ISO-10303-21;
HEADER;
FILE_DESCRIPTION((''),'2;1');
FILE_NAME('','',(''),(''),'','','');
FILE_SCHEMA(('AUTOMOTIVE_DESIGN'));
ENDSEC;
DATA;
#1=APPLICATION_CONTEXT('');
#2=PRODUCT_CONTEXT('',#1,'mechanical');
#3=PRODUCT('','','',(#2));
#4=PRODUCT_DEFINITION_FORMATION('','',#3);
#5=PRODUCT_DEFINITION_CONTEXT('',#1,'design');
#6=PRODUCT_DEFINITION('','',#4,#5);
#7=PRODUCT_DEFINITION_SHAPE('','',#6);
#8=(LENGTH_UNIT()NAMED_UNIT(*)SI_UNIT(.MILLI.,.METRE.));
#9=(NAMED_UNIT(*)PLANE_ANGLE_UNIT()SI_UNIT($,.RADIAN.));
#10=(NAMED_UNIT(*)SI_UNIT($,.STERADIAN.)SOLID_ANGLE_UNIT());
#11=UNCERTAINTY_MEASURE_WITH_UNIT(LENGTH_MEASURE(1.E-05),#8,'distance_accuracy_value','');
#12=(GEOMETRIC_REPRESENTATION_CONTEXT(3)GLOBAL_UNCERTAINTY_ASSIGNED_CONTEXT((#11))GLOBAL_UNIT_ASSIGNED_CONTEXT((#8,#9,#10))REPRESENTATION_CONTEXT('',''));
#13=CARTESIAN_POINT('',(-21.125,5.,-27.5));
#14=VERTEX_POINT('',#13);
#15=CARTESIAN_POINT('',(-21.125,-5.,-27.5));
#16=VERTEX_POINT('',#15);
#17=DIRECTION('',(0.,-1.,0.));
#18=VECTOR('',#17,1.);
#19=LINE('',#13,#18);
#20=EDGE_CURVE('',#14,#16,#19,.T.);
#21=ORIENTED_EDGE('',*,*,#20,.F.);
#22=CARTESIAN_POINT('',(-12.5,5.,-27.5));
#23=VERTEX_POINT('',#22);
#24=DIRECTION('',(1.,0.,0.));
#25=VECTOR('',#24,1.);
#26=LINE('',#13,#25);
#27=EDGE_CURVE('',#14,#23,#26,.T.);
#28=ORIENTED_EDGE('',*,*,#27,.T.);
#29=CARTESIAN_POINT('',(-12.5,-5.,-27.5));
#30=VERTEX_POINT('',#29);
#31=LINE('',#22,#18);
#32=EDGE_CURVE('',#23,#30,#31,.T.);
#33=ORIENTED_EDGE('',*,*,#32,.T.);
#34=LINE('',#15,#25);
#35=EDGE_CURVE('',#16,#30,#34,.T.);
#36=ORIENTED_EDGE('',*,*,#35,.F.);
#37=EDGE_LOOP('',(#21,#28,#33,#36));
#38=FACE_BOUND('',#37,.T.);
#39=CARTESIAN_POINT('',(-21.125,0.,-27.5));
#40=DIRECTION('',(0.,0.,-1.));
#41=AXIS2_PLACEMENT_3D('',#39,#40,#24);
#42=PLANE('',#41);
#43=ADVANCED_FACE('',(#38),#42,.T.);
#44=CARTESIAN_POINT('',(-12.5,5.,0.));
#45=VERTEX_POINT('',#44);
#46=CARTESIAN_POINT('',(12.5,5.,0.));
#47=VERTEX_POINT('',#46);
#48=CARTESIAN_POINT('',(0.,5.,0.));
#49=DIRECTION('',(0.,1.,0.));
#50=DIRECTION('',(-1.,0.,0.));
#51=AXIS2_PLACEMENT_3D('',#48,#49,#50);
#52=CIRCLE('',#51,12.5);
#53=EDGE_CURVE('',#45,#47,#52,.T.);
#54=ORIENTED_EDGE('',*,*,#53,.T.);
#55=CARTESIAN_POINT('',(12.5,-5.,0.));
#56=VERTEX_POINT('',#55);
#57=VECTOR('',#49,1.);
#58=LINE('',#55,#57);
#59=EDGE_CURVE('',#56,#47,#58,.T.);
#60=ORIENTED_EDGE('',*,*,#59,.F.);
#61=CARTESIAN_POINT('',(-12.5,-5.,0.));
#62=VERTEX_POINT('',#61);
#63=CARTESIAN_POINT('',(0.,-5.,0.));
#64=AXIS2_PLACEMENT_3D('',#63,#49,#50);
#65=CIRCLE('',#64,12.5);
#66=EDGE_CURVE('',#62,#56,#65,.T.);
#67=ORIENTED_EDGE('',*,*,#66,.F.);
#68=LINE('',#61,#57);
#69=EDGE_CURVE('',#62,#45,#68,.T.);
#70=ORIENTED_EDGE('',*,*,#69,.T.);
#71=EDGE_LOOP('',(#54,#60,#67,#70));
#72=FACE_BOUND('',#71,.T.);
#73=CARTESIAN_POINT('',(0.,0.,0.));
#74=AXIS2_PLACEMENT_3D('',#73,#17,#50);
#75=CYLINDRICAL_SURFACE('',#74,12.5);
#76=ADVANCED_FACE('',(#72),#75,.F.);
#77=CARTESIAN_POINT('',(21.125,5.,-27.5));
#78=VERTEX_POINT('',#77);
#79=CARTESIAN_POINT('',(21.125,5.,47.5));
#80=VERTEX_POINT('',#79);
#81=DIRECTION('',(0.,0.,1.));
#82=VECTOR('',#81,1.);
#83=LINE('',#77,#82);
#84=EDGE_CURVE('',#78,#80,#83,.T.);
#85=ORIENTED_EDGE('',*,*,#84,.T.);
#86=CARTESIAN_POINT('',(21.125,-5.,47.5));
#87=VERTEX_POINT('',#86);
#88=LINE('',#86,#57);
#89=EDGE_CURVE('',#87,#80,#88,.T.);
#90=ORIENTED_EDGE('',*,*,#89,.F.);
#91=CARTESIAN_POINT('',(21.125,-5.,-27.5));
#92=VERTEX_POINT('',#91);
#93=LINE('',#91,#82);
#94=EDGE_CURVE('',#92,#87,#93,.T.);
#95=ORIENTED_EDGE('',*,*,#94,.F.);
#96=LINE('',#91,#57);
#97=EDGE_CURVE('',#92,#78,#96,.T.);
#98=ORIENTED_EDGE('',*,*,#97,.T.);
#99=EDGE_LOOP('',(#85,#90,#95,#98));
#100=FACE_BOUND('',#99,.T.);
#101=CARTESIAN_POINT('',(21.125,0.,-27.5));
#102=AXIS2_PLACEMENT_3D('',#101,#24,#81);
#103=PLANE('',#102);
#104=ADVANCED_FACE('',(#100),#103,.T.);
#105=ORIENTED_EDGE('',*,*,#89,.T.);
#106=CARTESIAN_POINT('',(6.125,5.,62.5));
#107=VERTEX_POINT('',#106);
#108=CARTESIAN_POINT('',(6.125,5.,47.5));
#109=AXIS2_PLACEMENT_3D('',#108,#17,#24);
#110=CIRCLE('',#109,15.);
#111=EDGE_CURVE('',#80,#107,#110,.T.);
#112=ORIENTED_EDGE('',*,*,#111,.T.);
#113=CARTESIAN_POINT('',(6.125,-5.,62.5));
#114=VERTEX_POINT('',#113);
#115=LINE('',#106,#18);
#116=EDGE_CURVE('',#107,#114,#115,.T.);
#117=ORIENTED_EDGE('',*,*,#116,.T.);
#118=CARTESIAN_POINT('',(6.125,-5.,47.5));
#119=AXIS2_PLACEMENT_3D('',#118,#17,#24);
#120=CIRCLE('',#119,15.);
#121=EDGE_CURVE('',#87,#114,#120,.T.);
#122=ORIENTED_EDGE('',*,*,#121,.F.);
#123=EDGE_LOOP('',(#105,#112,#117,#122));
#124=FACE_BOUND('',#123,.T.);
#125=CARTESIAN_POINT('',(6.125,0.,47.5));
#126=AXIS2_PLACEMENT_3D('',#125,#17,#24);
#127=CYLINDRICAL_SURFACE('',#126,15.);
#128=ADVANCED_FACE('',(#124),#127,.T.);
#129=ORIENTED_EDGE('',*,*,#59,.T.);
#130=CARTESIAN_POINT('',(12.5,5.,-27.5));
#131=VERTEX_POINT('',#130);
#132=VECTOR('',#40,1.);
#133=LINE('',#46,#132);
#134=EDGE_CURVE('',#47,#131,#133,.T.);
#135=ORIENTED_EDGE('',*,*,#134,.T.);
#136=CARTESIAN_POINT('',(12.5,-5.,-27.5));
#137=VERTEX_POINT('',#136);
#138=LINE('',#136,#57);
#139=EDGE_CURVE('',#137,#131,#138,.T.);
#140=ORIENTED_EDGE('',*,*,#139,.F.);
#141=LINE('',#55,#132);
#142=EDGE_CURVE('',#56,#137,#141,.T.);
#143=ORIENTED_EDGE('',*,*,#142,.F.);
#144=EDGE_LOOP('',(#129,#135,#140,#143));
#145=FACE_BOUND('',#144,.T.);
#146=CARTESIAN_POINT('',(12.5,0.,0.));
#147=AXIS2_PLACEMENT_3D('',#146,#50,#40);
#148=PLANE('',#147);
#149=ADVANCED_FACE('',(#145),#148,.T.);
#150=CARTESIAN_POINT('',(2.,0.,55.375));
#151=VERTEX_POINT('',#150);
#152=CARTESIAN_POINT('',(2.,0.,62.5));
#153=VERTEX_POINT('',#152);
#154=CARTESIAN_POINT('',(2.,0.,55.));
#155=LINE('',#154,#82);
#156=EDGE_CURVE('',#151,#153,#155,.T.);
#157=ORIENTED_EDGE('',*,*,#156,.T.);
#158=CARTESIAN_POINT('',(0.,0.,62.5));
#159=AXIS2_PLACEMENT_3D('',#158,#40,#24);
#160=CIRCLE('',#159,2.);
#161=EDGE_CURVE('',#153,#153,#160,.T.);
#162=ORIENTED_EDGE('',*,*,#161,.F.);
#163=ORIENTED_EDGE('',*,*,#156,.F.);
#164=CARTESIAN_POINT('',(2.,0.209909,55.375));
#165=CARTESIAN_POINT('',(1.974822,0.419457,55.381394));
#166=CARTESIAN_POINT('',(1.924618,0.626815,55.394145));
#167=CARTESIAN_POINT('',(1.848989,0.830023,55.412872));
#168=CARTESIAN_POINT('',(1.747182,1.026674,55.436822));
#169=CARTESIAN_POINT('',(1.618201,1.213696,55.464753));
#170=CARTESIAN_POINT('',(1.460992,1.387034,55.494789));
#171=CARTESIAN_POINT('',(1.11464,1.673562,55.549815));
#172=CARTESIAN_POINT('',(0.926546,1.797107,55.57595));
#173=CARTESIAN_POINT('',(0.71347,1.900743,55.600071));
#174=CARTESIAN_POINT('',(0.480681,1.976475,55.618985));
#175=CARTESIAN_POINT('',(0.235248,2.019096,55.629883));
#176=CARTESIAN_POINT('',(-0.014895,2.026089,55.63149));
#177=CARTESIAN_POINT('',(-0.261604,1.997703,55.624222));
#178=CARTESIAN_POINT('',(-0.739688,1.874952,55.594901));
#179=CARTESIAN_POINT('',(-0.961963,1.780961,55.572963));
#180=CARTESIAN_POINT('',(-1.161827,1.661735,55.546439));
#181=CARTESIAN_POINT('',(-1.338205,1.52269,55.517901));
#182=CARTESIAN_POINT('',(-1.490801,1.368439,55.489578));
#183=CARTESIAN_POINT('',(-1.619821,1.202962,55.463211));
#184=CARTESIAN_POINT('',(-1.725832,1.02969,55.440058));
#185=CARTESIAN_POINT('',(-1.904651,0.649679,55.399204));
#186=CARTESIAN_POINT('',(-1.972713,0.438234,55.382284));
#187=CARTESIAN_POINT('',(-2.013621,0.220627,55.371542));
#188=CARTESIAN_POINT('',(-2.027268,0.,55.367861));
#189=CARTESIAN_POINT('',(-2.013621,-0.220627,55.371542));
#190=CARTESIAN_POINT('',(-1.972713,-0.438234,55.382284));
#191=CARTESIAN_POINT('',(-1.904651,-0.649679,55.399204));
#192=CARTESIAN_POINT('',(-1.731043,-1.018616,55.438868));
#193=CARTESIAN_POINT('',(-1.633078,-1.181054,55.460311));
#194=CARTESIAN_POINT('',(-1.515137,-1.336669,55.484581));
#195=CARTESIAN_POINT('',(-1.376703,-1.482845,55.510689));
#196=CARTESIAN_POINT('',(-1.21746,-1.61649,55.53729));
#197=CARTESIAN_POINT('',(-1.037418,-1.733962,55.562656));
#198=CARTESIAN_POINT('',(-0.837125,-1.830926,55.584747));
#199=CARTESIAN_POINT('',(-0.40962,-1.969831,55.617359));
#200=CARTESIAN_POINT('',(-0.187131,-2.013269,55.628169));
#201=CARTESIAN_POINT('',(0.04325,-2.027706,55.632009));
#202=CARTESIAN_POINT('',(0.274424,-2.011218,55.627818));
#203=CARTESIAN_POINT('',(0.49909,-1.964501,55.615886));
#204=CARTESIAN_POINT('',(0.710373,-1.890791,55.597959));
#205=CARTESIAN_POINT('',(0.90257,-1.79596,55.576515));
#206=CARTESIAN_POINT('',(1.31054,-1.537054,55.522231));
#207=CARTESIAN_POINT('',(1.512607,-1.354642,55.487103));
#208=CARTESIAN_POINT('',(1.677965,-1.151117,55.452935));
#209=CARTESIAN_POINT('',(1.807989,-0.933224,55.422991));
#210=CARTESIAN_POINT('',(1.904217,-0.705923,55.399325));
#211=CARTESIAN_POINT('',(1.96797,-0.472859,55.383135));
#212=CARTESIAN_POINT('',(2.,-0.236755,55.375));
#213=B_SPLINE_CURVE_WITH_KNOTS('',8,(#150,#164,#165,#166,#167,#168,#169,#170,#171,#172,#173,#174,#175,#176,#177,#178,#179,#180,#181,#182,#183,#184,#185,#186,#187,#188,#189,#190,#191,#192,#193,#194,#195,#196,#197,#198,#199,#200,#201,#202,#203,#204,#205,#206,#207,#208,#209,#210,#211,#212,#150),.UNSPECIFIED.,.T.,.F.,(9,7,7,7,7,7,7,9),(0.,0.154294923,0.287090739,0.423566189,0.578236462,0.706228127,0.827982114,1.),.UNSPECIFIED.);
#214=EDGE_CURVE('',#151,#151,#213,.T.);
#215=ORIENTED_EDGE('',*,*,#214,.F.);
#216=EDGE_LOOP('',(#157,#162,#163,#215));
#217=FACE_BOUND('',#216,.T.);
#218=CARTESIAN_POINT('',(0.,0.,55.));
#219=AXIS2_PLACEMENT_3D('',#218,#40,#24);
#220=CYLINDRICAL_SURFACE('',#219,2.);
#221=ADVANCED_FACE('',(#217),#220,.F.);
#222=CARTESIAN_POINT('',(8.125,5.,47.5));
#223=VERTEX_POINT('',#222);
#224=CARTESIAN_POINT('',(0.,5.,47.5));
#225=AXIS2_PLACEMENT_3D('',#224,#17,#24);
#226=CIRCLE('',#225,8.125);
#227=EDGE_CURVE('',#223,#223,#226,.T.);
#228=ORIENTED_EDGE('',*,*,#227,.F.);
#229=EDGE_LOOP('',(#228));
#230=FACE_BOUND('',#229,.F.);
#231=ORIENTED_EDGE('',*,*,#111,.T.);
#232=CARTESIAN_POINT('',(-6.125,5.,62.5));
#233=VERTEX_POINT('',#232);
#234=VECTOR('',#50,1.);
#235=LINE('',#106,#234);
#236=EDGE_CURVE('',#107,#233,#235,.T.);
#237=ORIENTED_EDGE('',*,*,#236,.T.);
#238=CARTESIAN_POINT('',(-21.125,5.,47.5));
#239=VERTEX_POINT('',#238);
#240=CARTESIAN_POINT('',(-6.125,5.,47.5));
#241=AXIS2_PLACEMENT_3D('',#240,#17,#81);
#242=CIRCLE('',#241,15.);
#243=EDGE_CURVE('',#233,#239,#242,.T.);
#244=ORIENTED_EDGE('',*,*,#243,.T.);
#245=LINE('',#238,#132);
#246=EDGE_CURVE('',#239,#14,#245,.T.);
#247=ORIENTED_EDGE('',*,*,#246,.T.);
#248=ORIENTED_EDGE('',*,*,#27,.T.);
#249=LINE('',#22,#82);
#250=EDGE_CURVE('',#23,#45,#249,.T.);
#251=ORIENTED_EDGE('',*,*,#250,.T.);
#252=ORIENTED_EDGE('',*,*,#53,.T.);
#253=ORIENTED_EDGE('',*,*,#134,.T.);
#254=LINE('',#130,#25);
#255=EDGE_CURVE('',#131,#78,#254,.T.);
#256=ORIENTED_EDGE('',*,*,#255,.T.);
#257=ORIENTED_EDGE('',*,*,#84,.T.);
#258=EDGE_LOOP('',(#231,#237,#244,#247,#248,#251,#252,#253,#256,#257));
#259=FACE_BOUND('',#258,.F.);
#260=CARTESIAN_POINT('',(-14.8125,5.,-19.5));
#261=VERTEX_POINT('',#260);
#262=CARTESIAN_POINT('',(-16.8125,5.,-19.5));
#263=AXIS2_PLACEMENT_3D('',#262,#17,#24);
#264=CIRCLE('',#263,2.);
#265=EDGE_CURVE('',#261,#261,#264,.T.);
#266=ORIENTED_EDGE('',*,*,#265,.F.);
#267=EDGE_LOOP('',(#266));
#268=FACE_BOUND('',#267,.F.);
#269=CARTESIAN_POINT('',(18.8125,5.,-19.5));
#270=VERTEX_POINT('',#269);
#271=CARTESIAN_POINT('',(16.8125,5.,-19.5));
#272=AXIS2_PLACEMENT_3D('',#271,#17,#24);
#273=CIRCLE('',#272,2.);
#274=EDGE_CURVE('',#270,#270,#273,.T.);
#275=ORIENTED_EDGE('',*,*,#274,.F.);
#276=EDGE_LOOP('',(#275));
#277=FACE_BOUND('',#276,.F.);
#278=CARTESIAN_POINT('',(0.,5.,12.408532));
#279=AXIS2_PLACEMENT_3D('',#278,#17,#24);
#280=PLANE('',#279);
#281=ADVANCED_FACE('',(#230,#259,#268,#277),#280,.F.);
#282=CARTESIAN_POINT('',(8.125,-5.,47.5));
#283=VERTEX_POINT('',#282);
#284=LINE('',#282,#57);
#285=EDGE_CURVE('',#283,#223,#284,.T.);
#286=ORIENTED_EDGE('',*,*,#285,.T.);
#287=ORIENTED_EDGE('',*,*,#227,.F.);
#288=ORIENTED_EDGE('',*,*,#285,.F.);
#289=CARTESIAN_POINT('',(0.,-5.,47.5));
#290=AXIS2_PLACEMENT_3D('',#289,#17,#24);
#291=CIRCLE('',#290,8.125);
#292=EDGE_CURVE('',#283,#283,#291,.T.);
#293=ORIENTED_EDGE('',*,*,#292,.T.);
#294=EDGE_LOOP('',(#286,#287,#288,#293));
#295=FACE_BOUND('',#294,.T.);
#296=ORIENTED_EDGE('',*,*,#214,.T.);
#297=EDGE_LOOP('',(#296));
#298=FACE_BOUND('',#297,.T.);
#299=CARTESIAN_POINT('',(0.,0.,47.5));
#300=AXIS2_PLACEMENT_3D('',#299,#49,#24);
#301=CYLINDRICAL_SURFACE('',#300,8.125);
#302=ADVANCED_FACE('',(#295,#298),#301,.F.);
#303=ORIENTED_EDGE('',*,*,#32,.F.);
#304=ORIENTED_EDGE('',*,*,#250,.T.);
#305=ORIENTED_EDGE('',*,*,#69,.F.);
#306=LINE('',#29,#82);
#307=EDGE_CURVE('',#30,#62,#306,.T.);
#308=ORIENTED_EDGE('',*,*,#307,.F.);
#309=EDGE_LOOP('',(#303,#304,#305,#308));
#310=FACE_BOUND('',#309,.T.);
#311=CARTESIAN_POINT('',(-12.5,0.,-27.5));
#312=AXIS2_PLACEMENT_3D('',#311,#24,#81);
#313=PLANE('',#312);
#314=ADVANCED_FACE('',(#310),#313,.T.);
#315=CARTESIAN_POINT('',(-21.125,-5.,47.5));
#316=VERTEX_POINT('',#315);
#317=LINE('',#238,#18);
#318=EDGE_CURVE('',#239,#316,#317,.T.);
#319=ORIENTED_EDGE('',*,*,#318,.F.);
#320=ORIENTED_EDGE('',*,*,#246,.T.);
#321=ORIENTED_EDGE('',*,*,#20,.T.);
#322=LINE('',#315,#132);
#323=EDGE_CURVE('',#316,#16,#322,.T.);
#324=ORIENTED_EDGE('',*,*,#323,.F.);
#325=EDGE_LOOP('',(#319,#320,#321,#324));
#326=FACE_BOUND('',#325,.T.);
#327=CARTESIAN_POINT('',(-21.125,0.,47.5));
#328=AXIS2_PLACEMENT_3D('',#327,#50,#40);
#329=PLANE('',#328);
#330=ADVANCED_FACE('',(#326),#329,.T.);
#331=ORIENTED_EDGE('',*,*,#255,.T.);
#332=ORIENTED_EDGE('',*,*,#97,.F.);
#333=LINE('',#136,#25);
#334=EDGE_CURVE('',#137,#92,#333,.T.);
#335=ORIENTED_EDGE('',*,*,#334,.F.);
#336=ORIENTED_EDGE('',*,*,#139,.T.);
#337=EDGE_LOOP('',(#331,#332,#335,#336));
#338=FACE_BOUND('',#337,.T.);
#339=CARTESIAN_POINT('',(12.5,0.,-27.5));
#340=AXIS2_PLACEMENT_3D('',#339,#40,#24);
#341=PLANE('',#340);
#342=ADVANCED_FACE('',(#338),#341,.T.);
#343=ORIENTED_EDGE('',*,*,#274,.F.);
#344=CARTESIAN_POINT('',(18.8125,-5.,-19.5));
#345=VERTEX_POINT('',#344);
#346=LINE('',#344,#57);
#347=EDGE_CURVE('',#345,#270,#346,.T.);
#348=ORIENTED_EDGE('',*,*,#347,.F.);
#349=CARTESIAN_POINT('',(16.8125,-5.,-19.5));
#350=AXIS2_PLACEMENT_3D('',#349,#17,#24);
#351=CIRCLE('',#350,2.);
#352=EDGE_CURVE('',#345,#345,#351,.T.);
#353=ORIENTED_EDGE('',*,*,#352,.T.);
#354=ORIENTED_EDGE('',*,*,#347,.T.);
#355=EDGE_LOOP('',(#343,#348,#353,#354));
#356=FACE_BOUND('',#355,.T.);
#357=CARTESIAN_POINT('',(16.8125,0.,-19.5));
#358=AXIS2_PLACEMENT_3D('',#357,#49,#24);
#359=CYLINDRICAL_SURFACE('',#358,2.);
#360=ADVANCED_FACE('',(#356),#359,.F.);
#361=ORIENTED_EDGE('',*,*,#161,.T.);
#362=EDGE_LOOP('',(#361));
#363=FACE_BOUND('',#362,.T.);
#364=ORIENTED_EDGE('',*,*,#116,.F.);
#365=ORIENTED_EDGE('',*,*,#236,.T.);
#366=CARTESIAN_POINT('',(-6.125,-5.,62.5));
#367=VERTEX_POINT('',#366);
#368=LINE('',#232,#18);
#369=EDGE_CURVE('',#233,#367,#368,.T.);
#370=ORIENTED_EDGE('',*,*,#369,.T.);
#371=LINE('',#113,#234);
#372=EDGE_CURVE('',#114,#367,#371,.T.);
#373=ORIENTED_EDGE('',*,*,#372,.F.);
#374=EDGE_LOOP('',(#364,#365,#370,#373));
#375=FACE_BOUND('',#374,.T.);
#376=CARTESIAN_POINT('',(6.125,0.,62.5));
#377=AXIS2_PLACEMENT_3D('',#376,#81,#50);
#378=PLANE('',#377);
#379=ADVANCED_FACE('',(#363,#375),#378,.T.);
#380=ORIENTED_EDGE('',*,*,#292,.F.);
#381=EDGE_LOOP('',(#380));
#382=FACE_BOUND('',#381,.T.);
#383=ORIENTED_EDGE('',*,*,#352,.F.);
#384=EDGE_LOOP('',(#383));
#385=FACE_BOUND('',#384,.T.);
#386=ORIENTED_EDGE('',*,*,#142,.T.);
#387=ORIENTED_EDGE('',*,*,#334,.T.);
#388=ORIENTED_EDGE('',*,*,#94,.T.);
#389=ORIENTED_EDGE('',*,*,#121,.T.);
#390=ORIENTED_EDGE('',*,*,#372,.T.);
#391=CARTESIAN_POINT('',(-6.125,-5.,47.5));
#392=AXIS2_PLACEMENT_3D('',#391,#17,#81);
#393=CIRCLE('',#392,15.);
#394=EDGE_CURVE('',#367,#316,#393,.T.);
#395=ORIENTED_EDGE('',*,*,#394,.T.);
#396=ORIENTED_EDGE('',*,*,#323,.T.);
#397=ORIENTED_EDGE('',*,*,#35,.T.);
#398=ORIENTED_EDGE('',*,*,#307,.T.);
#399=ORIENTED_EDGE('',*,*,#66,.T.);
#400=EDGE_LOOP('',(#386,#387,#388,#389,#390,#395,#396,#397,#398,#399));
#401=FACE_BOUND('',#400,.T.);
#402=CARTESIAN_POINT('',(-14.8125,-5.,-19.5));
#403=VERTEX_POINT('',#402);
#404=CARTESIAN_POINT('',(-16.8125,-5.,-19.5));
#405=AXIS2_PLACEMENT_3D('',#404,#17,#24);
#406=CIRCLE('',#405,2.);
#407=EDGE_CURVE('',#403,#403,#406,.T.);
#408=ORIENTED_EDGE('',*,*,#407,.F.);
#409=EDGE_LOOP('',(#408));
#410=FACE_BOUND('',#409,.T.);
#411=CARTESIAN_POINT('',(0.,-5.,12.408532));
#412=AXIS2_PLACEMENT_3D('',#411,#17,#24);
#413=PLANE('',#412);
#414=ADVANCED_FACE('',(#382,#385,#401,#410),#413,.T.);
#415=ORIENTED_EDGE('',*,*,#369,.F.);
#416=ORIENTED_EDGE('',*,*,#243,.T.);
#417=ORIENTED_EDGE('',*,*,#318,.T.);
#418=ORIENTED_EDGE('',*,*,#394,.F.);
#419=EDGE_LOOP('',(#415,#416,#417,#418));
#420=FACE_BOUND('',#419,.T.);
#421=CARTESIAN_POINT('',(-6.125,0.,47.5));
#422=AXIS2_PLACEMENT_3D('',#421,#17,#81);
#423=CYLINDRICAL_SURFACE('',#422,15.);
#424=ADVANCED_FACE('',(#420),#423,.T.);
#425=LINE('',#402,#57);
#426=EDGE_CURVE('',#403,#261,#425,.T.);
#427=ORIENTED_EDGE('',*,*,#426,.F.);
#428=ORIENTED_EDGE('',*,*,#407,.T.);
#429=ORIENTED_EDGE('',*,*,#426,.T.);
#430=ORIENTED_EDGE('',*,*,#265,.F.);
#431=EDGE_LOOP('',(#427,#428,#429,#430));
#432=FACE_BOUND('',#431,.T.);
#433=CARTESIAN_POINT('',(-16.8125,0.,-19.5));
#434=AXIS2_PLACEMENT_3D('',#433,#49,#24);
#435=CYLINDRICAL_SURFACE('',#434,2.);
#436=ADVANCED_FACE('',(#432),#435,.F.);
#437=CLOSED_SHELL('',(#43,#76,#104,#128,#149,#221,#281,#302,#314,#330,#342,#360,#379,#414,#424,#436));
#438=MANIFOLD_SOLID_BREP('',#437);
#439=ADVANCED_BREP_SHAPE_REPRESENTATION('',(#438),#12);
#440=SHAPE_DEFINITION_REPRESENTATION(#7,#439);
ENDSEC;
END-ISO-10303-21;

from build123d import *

# Parameters (mm, degrees)
F0_R     = 2
F0_R_2   = 8.125
F2_DEPTH = 5
F3_START = 55
F1_R     = 2
F3_DEPTH = 7.501


with BuildPart() as f2:
    # F0 (on Front) → F2 (new body, symmetric)
    with BuildSketch(Plane.XZ):
        with BuildLine():
            ThreePointArc((21.125, 47.5), (16.7316017178, 58.1066017178), (6.125, 62.5))
            Line((6.125, 62.5), (-6.125, 62.5))
            ThreePointArc((-6.125, 62.5), (-16.7316017178, 58.1066017178), (-21.125, 47.5))
            Line((-21.125, 47.5), (-21.125, -27.5))
            Line((-21.125, -27.5), (-12.5, -27.5))
            Line((-12.5, -27.5), (-12.5, 0))
            ThreePointArc((-12.5, 0), (0, 12.5), (12.5, 0))
            Line((12.5, 0), (12.5, -27.5))
            Line((12.5, -27.5), (21.125, -27.5))
            Line((21.125, -27.5), (21.125, 47.5))
        make_face()
        with Locations((-16.8125, -19.5)):
            Circle(F0_R, mode=Mode.SUBTRACT)
        with Locations((16.8125, -19.5)):
            Circle(F0_R, mode=Mode.SUBTRACT)
        with Locations((0, 47.5)):
            Circle(F0_R_2, mode=Mode.SUBTRACT)
    extrude(amount=F2_DEPTH, both=True)

    # F1 (on Top) → F3 (cut)
    with BuildSketch(Plane.XY.offset(F3_START)):
        Circle(F1_R)
    extrude(amount=F3_DEPTH, mode=Mode.SUBTRACT)


solid = f2.part
